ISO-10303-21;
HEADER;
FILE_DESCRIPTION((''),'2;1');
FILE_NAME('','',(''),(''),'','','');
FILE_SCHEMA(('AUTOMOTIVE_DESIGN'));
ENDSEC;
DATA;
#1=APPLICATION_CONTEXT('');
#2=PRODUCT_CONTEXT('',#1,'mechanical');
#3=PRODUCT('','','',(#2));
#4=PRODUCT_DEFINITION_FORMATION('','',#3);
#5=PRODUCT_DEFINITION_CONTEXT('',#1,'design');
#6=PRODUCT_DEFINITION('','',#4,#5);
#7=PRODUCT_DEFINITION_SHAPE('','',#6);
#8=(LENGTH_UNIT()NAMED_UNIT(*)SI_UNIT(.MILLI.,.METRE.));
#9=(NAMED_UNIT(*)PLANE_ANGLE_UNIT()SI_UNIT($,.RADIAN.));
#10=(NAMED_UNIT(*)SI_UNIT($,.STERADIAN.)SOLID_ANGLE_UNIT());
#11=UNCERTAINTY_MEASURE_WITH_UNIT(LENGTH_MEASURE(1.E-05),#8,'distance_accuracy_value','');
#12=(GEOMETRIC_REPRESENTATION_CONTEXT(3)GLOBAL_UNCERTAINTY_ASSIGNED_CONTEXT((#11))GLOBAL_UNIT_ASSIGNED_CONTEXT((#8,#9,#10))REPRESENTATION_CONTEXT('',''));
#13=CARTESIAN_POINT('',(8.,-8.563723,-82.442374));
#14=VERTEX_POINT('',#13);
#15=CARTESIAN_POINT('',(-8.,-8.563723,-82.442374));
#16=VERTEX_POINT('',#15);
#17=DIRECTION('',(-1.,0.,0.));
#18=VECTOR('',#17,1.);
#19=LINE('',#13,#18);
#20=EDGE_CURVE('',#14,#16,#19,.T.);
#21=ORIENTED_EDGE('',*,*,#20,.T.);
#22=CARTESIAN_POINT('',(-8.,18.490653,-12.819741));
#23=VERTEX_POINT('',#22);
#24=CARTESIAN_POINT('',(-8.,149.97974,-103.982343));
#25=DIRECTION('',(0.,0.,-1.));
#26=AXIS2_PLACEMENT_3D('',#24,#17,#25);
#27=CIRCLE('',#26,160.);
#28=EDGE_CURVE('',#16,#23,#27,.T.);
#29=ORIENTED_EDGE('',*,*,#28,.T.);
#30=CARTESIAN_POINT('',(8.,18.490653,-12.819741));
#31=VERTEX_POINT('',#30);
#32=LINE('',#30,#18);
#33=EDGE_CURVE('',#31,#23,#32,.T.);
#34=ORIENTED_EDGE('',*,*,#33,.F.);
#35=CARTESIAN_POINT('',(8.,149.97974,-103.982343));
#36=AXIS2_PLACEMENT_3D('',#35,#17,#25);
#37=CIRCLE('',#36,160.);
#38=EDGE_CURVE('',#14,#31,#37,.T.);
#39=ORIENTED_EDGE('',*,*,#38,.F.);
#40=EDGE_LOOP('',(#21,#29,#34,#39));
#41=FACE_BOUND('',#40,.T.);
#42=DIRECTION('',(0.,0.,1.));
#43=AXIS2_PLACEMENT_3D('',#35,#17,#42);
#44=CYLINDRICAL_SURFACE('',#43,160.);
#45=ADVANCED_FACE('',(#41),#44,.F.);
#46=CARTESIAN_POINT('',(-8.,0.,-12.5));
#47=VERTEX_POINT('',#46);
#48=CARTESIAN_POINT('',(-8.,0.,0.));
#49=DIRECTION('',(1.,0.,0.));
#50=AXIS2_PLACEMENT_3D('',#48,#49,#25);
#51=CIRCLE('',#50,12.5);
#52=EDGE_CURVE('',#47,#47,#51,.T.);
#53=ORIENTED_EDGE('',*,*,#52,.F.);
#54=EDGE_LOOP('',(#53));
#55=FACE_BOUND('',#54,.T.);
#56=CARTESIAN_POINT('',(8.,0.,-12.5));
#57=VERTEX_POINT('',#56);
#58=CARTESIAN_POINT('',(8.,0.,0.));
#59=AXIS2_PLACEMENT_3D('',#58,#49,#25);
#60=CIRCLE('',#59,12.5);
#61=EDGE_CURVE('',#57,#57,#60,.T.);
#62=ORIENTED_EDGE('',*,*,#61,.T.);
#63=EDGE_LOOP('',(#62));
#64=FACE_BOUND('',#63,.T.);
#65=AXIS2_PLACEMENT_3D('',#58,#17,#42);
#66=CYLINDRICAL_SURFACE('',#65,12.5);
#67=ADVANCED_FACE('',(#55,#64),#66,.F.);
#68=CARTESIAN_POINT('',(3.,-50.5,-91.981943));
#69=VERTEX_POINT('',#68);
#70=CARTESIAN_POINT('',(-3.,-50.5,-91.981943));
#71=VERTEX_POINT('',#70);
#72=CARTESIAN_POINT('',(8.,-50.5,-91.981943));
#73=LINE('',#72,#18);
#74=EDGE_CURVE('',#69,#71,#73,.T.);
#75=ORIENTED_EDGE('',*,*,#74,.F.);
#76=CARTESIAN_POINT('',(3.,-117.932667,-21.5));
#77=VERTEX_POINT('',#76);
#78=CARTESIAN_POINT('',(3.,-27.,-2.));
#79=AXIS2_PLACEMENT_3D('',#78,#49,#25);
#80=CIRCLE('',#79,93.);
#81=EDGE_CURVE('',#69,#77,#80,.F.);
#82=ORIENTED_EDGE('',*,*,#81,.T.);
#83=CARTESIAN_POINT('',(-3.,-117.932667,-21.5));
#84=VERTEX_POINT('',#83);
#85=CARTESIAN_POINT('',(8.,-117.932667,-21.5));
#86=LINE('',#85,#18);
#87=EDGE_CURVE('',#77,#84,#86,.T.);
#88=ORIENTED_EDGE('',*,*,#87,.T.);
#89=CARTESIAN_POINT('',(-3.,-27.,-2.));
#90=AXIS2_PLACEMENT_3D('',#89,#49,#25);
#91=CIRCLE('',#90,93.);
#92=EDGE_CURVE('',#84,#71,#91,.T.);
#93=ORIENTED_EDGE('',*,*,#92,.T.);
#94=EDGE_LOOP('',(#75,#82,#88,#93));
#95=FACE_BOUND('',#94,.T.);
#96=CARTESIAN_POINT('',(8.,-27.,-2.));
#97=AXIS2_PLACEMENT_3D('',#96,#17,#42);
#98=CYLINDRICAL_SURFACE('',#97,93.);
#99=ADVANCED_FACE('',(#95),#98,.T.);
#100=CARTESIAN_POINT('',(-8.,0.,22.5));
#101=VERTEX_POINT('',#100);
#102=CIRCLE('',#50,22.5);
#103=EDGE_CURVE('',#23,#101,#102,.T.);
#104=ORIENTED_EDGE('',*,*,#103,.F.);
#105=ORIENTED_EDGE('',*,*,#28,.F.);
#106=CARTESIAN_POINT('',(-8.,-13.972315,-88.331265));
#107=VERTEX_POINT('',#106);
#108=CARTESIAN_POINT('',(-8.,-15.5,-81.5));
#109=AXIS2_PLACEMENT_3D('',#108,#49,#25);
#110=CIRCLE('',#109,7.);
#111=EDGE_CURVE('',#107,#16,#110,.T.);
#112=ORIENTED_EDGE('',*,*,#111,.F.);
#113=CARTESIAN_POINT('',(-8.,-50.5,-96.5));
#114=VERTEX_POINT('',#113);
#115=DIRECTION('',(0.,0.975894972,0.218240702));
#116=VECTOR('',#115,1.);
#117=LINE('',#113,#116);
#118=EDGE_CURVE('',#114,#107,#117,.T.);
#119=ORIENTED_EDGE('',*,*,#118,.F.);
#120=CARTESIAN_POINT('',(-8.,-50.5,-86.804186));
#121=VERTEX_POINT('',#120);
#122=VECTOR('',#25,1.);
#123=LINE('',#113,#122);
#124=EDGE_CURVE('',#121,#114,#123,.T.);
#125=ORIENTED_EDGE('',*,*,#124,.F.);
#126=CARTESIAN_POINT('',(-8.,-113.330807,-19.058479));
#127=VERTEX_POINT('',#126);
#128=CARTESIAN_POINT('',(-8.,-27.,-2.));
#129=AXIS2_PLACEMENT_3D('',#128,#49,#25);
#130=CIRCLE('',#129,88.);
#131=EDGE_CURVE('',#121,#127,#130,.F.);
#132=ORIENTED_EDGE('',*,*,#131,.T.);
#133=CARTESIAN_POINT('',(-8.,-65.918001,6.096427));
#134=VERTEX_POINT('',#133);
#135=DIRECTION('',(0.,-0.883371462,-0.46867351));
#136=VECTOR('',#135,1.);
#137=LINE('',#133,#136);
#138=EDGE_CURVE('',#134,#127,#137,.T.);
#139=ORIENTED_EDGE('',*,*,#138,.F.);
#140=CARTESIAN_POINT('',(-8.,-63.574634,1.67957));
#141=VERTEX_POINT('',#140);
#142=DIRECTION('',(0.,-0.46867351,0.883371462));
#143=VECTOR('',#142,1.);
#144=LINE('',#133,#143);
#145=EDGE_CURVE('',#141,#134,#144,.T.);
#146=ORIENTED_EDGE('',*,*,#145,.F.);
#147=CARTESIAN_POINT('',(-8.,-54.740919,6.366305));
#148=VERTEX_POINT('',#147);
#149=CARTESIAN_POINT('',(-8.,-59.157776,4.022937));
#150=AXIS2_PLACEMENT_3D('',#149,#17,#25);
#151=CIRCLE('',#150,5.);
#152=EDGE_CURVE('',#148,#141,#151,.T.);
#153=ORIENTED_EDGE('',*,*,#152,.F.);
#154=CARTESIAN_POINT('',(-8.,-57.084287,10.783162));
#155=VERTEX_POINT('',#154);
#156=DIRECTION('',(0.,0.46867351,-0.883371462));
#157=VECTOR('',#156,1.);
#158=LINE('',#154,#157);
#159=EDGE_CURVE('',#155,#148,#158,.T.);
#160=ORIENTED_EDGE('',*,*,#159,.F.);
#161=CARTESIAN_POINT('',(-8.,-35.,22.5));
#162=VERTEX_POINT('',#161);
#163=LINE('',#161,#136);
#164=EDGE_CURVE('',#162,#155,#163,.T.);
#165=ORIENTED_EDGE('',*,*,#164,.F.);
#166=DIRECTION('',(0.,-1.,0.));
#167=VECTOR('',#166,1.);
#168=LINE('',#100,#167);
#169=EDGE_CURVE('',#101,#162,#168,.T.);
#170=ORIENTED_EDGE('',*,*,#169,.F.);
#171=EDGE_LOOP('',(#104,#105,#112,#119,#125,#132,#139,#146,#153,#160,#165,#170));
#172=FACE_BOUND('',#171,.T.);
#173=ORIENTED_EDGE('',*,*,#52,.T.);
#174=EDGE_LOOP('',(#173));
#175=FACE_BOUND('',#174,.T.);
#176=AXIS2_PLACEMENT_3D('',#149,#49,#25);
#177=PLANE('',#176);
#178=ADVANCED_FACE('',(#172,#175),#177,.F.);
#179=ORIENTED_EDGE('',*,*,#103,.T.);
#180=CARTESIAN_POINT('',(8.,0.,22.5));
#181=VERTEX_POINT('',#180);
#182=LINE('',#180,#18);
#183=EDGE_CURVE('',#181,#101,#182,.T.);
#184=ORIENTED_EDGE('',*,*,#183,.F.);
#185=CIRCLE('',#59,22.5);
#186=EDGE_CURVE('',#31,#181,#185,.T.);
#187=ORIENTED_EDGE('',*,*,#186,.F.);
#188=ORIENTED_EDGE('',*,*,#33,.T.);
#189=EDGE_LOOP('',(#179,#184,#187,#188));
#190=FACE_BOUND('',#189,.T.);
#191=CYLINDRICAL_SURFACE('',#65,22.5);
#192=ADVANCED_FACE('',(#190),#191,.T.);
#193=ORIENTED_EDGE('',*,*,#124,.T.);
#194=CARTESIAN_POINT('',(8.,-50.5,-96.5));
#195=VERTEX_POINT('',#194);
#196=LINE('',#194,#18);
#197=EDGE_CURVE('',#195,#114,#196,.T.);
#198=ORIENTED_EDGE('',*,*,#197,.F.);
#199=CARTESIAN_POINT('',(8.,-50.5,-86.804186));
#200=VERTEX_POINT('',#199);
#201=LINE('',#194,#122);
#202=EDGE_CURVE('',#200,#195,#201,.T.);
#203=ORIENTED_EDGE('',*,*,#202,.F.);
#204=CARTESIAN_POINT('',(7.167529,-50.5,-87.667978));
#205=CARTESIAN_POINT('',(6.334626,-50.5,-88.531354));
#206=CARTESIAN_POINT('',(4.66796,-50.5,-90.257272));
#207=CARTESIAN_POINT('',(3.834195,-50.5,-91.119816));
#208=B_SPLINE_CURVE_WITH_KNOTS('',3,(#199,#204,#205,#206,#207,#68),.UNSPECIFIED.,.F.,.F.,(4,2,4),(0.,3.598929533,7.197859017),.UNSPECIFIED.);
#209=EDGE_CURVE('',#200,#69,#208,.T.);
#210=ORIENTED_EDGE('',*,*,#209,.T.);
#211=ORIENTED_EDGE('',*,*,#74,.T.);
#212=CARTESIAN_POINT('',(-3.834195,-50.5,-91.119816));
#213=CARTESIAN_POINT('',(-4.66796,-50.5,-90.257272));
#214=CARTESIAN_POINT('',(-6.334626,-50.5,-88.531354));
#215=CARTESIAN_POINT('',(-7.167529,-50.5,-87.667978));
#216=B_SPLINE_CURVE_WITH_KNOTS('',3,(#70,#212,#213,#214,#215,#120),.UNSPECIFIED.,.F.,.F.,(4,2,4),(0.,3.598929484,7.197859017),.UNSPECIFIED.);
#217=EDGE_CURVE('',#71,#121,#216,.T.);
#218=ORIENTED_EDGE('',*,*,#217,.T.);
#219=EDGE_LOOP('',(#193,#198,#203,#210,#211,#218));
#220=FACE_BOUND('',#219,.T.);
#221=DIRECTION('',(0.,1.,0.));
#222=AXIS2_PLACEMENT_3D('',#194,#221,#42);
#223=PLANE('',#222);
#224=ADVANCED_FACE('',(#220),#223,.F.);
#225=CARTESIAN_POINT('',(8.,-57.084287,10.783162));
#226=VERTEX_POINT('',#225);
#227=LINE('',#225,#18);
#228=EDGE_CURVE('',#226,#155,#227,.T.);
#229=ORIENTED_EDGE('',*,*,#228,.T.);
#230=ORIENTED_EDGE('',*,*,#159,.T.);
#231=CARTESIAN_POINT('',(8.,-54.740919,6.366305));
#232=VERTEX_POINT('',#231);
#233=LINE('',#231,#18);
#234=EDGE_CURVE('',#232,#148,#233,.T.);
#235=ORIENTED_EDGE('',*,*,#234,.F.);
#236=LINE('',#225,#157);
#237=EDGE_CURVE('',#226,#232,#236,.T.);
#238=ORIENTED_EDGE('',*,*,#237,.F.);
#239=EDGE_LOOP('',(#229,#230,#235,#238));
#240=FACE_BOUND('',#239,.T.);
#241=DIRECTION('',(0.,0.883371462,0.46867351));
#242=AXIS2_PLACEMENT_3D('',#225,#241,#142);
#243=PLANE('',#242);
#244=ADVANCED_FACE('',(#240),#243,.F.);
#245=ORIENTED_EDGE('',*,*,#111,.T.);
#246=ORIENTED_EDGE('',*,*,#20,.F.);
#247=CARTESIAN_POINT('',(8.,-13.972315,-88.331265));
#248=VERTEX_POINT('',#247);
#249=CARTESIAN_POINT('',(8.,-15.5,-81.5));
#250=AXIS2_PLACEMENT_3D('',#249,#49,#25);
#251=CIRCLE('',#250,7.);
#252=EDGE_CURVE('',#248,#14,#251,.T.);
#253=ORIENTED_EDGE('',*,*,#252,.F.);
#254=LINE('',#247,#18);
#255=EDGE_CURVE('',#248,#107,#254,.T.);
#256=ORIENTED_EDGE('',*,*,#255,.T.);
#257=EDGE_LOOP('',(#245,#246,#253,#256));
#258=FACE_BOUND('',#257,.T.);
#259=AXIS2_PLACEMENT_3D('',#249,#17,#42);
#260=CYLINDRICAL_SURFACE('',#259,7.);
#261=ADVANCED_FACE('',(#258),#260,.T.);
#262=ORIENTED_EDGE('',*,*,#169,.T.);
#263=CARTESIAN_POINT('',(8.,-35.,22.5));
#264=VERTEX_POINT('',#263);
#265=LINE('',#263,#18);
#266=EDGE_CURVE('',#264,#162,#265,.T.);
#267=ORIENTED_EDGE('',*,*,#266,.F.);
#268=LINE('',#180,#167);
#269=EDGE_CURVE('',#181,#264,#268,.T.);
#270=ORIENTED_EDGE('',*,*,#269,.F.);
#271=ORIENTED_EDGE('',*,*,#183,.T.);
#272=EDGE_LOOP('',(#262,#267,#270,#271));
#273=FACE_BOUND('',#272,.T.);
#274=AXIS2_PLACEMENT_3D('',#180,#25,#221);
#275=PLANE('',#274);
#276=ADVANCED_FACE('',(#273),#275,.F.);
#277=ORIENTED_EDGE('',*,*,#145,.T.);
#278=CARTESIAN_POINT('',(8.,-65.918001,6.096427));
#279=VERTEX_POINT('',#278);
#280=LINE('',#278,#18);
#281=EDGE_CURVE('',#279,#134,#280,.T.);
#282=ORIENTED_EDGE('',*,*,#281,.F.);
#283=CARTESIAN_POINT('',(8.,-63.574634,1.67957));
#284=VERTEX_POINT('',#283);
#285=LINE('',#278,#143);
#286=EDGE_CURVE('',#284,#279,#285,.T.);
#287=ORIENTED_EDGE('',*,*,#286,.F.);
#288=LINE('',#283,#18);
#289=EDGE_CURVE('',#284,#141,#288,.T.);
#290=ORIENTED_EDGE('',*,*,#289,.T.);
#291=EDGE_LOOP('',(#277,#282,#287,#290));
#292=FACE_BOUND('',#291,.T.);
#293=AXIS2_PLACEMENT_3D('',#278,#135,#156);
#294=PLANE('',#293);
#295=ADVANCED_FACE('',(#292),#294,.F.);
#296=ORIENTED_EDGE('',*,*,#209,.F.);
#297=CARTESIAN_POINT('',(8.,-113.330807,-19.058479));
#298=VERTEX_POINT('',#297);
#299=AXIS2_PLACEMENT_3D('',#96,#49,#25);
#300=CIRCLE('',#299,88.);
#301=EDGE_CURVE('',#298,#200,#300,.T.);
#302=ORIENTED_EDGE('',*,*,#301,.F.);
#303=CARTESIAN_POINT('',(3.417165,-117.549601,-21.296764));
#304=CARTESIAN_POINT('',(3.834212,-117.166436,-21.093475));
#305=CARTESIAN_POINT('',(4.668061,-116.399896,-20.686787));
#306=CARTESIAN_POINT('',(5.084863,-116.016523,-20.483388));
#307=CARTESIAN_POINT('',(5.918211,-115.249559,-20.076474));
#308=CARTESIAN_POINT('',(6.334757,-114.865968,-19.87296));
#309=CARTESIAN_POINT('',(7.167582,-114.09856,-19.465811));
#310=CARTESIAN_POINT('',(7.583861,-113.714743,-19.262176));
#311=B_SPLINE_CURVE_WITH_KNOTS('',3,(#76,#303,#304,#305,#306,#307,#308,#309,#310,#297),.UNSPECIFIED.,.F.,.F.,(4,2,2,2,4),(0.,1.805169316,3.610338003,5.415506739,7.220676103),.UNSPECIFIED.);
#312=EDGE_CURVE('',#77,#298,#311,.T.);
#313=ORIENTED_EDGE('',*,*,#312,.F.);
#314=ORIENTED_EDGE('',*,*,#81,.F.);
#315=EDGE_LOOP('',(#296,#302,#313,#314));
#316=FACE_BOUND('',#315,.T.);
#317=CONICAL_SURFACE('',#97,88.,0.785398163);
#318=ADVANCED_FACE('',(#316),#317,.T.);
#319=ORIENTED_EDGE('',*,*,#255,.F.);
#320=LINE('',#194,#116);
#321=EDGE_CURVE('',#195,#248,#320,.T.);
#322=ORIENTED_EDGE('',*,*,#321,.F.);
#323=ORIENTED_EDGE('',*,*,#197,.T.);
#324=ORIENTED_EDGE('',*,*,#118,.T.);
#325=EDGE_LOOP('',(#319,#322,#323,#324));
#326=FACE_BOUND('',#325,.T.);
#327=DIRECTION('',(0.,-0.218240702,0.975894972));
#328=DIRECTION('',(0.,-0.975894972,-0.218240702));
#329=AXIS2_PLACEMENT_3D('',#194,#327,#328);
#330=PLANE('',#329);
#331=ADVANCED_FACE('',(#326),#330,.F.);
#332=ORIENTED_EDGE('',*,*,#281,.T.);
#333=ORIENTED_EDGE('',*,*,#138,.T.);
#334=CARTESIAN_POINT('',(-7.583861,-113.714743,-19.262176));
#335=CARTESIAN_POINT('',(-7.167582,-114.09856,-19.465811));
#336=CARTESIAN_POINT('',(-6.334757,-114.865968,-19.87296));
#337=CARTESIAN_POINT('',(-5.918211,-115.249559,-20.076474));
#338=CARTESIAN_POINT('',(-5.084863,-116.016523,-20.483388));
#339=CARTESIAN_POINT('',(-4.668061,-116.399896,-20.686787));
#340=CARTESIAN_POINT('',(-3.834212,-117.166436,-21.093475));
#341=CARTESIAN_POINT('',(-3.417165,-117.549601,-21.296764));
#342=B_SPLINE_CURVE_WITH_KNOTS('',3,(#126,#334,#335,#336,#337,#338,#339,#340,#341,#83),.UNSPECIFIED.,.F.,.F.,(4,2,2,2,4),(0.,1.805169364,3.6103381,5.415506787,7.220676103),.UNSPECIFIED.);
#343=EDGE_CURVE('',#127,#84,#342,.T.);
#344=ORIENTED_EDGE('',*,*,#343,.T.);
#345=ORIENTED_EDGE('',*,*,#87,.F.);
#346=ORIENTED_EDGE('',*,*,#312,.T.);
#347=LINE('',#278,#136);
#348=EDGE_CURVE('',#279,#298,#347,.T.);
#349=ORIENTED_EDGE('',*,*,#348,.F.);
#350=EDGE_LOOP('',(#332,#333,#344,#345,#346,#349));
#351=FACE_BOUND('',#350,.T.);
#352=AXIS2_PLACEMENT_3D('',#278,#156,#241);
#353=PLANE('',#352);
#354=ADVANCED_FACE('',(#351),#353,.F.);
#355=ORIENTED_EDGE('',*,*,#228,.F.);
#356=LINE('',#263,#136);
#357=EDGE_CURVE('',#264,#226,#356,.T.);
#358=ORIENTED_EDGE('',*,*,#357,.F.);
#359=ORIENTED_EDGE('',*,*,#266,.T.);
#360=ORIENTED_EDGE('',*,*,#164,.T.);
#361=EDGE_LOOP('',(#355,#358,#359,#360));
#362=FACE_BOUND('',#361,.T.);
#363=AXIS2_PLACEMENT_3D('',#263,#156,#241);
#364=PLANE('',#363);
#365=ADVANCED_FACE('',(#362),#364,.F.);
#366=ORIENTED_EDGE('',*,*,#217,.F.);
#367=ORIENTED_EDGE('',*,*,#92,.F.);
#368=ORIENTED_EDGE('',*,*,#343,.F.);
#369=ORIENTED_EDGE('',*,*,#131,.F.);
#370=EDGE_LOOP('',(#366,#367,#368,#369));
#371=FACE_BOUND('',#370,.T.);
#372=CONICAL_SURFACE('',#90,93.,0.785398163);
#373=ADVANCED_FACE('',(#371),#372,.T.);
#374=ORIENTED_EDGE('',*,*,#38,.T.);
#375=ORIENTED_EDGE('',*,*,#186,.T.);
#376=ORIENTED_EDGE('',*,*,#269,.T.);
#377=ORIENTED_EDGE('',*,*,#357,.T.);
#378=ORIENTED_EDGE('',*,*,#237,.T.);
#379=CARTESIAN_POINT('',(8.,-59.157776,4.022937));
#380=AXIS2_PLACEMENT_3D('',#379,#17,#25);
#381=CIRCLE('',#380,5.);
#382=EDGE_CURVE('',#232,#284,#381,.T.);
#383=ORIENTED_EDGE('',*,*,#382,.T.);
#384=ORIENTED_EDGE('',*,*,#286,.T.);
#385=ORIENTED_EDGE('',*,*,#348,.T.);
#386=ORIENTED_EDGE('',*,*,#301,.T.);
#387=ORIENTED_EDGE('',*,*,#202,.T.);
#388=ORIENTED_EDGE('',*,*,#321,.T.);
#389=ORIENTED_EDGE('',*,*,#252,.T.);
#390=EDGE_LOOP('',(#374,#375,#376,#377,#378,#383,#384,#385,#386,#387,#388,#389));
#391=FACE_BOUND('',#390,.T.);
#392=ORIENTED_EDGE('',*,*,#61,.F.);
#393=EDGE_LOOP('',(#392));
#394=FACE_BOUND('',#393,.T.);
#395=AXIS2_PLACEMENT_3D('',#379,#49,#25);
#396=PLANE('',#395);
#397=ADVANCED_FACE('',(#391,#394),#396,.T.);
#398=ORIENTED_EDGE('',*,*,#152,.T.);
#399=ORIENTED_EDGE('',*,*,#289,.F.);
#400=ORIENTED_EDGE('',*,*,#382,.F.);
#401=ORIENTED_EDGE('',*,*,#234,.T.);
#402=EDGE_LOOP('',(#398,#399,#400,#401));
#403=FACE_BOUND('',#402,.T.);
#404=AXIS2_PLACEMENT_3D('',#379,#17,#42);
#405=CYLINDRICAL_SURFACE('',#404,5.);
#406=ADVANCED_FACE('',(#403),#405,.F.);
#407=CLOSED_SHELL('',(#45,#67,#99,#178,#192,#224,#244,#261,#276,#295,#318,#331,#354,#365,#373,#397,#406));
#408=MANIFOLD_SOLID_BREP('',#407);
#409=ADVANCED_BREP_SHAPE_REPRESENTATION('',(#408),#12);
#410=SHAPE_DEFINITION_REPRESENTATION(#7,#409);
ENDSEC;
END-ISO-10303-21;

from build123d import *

# Parameters (mm, degrees)
SKETCH_1_R      = 12.5
EXTRUDE_1_DEPTH = 8
CHAMFER_1_SIZE  = 5


with BuildPart() as part:
    # 草图1 → 凸台-拉伸1 (new, symmetric)
    with BuildSketch(Plane(origin=(0, 0, 0), x_dir=(0, 0, -1), z_dir=(1, 0, 0))):
        with BuildLine():
            Line((-22.5, 0), (-22.5, -35))
            Line((-22.5, -35), (-10.783162242, -57.084286562))
            Line((-10.783162242, -57.084286562), (-6.36630493, -54.74091901))
            ThreePointArc((-6.36630493, -54.74091901), (0.393919934, -56.814408771), (-1.679569826, -63.574633635))
            Line((-1.679569826, -63.574633635), (-6.096427139, -65.918001187))
            Line((-6.096427139, -65.918001187), (21.5, -117.932667397))
            ThreePointArc((21.5, -117.932667397), (66.291252117, -94.19847395), (91.981942633, -50.5))
            Line((91.981942633, -50.5), (96.5, -50.5))
            Line((96.5, -50.5), (88.331264802, -13.972315085))
            ThreePointArc((88.331264802, -13.972315085), (86.235037436, -10.344476702), (82.442373664, -8.563723486))
            ThreePointArc((82.442373664, -8.563723486), (46.03018843, 0.843735432), (12.819740934, 18.490652838))
            ThreePointArc((12.819740934, 18.490652838), (-10.435655921, 19.933566803), (-22.5, 0))
        make_face()
        Circle(SKETCH_1_R, mode=Mode.SUBTRACT)
    extrude(amount=EXTRUDE_1_DEPTH, both=True)

    # 倒角1
    chamfer_1_edges = [part.edges().sort_by_distance(p)[0] for p in [
        (-8, -94.19847395, -66.291252117),
        (8, -94.19847395, -66.291252117),
    ]]
    chamfer(chamfer_1_edges, length=CHAMFER_1_SIZE)


solid = part.part
